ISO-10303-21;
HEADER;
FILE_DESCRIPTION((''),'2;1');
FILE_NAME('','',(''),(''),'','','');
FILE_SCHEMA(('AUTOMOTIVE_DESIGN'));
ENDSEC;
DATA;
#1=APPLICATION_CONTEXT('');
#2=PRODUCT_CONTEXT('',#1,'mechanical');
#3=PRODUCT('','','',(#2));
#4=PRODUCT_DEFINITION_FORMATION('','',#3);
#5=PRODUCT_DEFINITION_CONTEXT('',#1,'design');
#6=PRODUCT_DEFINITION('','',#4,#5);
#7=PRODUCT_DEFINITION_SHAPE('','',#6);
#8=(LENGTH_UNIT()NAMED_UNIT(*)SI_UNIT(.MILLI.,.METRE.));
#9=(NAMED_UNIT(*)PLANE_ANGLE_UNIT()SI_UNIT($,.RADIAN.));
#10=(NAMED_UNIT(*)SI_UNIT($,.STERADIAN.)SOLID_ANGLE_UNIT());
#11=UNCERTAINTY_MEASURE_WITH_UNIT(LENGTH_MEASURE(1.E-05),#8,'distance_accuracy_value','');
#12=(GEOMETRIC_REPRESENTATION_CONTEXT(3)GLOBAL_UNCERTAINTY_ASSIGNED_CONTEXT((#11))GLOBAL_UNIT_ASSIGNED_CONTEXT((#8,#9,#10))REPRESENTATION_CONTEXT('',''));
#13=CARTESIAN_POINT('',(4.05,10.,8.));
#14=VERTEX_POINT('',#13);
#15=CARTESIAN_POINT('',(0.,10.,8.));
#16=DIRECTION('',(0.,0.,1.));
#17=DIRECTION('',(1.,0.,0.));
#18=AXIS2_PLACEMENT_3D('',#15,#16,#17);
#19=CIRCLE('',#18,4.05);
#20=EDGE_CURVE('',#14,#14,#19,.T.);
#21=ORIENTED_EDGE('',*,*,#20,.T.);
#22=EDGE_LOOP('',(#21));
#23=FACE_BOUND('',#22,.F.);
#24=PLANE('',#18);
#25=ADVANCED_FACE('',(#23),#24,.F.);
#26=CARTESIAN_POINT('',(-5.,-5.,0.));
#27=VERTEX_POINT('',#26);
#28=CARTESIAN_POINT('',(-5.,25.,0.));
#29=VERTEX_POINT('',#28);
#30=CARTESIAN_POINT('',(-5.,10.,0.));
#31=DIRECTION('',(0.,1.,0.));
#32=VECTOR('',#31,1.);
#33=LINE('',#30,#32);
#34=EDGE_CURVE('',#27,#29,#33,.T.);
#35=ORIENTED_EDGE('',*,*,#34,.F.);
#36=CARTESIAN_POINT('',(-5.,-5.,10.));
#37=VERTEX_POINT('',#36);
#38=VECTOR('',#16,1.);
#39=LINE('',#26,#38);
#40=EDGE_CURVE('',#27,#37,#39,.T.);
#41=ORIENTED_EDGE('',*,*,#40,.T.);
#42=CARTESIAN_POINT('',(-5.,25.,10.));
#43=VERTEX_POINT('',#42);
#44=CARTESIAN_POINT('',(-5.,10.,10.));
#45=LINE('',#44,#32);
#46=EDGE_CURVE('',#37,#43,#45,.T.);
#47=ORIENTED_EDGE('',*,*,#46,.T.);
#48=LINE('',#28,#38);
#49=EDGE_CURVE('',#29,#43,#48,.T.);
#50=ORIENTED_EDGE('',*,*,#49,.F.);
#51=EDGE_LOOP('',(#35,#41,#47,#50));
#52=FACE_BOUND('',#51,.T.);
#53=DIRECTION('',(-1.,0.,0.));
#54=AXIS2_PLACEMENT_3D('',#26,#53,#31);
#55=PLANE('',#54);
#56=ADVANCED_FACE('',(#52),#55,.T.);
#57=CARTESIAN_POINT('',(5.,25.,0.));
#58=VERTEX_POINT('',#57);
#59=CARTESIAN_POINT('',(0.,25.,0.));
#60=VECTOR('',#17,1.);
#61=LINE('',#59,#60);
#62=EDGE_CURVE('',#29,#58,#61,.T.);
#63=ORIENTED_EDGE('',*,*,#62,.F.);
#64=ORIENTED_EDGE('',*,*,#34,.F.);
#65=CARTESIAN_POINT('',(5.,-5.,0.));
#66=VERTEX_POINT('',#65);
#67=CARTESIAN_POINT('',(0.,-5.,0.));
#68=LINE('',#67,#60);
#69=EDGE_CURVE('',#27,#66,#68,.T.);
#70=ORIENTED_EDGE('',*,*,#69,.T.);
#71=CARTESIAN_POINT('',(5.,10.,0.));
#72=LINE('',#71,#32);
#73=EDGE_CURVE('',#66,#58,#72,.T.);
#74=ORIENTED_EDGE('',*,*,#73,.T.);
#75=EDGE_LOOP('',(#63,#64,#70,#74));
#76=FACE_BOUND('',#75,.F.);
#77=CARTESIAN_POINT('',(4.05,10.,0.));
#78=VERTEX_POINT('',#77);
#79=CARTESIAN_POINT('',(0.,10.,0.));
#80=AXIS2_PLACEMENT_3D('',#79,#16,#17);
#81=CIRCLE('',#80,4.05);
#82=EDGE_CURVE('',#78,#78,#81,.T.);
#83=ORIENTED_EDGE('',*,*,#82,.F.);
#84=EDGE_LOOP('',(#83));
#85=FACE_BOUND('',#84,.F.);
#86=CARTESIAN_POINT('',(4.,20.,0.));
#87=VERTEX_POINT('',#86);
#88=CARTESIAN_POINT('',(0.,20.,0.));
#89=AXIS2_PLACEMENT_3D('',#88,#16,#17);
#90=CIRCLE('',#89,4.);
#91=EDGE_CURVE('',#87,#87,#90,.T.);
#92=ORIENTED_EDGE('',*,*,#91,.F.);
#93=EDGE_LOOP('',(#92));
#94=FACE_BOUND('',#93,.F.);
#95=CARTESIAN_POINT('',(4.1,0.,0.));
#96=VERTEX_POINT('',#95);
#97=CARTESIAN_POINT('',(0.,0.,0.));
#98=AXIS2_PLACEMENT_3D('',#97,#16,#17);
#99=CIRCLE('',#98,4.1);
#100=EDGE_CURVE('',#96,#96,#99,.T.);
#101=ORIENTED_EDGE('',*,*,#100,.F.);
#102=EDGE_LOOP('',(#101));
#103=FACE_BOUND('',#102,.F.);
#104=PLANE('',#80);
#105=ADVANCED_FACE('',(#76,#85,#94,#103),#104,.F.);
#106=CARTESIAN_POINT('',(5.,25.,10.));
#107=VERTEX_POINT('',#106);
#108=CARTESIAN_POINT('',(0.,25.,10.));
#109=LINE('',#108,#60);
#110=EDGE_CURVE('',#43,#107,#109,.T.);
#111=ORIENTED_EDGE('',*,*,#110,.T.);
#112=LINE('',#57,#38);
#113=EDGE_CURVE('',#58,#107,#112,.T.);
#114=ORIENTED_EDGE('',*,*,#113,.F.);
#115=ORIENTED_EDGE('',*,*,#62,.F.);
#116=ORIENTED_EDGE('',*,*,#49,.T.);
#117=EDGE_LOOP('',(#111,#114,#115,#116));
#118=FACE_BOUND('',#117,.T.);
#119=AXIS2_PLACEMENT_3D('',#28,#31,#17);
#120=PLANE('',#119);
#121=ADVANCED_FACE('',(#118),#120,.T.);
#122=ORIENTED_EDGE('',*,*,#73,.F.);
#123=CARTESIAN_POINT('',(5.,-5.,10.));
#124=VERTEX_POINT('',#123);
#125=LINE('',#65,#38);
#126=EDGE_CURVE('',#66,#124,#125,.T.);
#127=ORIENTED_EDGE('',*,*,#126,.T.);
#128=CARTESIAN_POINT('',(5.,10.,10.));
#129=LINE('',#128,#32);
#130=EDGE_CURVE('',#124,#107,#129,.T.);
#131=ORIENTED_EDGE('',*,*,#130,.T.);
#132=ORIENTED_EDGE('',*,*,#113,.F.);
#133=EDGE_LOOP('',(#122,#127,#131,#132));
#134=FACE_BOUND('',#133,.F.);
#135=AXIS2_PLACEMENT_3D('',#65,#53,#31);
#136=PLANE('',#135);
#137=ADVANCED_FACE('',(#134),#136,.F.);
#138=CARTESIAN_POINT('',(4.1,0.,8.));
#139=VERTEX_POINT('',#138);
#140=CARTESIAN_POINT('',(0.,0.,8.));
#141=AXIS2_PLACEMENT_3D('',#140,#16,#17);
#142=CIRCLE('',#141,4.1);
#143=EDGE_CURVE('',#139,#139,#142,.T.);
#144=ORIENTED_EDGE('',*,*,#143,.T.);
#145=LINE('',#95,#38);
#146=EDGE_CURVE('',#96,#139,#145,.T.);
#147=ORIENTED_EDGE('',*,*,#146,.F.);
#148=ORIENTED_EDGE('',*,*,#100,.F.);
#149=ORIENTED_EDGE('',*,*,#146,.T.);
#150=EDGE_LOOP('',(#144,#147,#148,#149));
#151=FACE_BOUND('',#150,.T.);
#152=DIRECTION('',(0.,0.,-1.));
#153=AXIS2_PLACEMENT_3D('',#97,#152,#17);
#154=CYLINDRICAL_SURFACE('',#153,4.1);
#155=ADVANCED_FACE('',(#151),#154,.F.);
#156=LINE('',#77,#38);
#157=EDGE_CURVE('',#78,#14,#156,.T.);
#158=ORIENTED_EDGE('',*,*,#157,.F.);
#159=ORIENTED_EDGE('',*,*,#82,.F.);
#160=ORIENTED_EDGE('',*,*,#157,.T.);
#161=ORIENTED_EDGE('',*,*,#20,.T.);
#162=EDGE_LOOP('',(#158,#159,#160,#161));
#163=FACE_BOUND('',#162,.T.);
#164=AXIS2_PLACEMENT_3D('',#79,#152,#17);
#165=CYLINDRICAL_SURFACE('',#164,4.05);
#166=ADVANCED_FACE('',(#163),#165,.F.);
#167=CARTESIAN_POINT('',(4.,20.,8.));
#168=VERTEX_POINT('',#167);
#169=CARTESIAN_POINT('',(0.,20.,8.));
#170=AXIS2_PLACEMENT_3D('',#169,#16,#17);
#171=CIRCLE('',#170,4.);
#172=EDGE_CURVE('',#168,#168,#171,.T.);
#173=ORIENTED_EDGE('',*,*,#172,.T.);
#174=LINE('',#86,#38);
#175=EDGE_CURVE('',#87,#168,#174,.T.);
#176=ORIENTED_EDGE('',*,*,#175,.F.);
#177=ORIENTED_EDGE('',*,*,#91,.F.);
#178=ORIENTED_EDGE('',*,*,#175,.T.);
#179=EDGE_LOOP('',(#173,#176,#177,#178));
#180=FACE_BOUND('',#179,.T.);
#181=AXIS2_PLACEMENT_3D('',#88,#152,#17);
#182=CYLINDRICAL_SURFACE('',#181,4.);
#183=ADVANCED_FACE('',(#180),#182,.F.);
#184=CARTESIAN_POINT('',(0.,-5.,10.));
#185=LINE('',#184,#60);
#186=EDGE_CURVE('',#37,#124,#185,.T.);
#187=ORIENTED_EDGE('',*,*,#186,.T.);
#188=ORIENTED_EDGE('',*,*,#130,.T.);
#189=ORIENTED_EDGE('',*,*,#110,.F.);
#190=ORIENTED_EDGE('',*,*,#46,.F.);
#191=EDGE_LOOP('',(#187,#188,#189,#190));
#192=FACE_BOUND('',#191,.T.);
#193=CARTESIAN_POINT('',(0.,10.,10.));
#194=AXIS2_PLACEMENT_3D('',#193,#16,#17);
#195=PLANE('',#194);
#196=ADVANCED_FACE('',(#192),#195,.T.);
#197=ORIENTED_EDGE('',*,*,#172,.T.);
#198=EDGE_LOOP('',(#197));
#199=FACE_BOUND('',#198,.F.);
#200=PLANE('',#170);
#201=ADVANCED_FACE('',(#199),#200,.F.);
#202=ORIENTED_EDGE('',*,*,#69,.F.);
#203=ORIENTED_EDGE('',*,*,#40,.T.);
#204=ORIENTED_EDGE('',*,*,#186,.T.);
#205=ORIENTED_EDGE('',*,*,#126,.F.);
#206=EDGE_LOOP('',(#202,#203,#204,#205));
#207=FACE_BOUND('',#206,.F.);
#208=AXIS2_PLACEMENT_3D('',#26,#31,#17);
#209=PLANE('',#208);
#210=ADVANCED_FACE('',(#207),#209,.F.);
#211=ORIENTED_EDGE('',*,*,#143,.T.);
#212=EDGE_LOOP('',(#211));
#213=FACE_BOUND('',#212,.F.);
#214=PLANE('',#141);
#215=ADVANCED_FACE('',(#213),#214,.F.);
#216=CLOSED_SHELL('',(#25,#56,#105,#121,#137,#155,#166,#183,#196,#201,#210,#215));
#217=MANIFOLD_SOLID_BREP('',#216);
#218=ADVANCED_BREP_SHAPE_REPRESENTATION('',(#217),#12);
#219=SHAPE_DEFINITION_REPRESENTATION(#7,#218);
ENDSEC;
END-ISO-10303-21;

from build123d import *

# Parameters (mm, degrees)
SKETCH_W      = 10
SKETCH_H      = 30
PAD_DEPTH     = 10
SKETCH001_R   = 4
SKETCH001_R_2 = 4.05
SKETCH001_R_3 = 4.1
POCKET_DEPTH  = 8


with BuildPart() as part:
    # Sketch → Pad (new body)
    with BuildSketch(Plane.XY):
        with Locations((0, 10)):
            Rectangle(SKETCH_W, SKETCH_H)
    extrude(amount=PAD_DEPTH)

    # Sketch001 → Pocket (cut)
    with BuildSketch(Plane.XY):
        with Locations((0, 20)):
            Circle(SKETCH001_R)
        with Locations((0, 10)):
            Circle(SKETCH001_R_2)
        Circle(SKETCH001_R_3)
    extrude(amount=POCKET_DEPTH, mode=Mode.SUBTRACT)


solid = part.part
